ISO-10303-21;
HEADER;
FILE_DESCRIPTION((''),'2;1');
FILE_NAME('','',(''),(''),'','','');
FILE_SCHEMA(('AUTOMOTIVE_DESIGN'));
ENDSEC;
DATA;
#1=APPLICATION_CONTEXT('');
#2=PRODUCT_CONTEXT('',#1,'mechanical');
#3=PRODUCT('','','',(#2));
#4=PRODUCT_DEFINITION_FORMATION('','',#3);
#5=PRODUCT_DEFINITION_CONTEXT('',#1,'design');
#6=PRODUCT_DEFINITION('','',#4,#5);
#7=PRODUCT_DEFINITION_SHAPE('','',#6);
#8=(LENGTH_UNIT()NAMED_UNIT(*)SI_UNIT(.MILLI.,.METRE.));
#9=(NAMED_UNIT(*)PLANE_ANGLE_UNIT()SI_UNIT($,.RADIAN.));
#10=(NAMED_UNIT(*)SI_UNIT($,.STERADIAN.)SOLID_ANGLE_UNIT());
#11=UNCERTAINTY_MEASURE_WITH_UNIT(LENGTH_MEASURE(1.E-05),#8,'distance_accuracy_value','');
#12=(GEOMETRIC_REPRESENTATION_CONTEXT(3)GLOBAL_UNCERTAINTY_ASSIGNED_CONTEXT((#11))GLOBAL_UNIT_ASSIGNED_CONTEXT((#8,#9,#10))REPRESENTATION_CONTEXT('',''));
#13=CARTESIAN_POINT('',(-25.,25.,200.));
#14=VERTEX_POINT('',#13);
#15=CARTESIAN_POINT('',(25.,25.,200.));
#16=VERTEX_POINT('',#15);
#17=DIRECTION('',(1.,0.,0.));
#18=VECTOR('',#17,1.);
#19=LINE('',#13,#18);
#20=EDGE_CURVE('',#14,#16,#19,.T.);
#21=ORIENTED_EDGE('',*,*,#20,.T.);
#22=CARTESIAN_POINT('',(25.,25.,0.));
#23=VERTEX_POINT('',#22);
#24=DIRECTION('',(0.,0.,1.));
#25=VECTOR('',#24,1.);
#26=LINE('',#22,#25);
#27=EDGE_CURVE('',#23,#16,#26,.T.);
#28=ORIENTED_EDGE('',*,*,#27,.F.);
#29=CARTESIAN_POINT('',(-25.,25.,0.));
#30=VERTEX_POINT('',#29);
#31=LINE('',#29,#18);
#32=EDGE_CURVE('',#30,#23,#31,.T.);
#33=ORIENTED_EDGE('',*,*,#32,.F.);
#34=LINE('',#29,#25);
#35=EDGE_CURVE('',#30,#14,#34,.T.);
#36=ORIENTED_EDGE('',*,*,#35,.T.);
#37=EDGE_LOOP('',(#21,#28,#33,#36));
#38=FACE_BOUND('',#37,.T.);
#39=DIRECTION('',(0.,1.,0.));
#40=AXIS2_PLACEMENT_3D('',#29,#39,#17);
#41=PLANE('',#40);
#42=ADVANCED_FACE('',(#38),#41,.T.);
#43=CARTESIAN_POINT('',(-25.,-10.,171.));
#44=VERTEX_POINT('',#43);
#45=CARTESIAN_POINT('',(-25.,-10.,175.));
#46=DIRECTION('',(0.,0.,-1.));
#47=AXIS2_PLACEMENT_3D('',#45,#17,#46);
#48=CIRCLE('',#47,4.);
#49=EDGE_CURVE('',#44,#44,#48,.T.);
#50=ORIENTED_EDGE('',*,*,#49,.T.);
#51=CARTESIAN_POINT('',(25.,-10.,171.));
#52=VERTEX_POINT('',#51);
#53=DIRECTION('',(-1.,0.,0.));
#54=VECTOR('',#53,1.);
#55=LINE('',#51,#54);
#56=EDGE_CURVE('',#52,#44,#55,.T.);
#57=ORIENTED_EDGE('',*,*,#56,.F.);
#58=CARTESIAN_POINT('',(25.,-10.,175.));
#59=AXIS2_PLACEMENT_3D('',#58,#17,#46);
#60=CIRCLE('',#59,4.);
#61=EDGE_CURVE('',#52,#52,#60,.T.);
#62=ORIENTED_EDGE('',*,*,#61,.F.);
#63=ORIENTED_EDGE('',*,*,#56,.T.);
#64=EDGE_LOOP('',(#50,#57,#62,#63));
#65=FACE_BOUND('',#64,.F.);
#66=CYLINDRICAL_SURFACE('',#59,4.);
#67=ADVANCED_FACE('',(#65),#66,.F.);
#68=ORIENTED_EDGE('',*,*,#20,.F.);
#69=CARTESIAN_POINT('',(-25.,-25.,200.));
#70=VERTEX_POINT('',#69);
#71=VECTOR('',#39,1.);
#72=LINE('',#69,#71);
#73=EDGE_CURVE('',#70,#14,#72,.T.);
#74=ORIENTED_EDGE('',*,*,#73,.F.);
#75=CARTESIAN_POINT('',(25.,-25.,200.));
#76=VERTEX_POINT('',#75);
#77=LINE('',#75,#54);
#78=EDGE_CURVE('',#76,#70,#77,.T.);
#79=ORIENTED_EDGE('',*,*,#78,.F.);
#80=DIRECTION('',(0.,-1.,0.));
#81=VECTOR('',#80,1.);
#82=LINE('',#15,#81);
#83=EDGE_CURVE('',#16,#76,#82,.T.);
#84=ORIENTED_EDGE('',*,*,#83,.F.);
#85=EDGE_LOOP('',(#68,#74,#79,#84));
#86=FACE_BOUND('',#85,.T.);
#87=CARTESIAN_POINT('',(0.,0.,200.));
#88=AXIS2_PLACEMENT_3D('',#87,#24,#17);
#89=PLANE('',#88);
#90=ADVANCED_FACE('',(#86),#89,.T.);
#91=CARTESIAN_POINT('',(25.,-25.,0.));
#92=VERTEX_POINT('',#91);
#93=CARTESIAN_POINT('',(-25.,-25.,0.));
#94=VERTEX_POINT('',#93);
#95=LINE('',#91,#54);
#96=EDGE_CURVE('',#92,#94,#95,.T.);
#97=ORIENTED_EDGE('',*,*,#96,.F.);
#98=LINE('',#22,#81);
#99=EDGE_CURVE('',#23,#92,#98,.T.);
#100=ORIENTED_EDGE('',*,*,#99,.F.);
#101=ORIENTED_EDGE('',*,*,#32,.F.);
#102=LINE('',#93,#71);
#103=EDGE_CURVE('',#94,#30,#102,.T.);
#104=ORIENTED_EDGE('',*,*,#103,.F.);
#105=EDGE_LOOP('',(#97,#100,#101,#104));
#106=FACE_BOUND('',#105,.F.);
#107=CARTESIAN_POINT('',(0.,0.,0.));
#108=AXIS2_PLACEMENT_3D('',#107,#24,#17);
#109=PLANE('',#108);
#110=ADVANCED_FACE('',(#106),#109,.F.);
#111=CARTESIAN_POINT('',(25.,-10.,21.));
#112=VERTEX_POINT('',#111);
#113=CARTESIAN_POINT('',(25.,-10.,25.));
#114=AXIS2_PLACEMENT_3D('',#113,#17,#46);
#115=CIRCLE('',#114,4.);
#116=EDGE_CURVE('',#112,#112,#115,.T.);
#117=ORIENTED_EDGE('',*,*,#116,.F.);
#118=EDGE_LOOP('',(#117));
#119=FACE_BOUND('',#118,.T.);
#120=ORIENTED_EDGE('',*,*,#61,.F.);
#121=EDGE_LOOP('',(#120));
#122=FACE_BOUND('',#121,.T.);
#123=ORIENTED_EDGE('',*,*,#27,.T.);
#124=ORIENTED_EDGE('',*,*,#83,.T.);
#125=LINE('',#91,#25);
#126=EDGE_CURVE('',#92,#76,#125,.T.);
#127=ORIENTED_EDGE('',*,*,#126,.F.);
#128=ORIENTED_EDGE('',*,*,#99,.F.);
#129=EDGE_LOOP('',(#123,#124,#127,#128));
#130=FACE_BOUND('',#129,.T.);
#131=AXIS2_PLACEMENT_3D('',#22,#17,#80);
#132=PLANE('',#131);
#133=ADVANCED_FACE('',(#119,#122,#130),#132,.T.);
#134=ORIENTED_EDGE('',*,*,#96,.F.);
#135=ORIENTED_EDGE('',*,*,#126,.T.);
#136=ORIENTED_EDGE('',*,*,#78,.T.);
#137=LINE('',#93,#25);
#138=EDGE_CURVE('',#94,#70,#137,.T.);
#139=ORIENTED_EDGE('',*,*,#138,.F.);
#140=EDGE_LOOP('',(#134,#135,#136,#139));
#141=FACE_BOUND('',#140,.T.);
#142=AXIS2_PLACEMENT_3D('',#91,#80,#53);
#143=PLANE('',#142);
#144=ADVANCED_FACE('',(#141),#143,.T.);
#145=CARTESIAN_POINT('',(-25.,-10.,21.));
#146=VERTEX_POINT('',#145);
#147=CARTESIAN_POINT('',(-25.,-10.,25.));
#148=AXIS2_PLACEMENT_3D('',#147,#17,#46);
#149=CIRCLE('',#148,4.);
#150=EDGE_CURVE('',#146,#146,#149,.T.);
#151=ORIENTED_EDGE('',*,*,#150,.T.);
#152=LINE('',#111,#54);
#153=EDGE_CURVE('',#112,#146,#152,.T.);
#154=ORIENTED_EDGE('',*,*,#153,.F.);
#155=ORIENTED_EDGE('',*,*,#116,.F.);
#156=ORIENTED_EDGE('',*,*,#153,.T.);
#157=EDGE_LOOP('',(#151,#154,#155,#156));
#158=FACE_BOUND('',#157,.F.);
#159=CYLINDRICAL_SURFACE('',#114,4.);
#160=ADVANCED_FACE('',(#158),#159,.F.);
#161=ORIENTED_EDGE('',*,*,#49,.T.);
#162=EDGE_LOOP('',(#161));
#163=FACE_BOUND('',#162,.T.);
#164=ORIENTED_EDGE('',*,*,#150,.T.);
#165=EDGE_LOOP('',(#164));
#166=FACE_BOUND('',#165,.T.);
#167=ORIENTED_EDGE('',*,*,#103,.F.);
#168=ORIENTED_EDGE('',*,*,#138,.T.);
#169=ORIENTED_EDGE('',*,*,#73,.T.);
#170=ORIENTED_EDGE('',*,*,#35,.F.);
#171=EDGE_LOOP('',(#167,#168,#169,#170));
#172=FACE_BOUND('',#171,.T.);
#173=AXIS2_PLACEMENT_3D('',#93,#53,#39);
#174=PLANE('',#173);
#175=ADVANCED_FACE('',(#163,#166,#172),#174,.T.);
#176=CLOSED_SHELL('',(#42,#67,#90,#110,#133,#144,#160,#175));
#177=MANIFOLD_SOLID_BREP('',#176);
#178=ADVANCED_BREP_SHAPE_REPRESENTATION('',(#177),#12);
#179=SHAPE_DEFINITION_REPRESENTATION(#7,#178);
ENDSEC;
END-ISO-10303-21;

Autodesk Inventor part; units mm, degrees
ref_plane "YZ Plane" through (0, 0, 0) normal (1, 0, 0) x (0, 1, 0)
ref_plane "XZ Plane" through (0, 0, 0) normal (0, 1, 0) x (-1, 0, 0)
ref_plane "XY Plane" through (0, 0, 0) normal (0, 0, 1) x (1, 0, 0)
sketch "Sketch1" plane through (0, 0, 0) normal (0, 0, 1) x (1, 0, 0)
  line L0 (25, -25) -> (-25, -25)
  line L1 (-25, -25) -> (-25, 25)
  line L2 (-25, 25) -> (25, 25)
  line L3 (25, 25) -> (25, -25)
  line L4 (25, -25) -> (-25, 25) construction
  line L5 (-25, -25) -> (25, 25) construction
  point P0 (0, 0)
  dimension "d0" = 50
  dimension "d1" = 50
extrude "Extrusion1" add sketch "Sketch1" along normal blind 200
sketch "Sketch2" plane through (25, -25, 0) normal (1, 0, 0) x (0, 0, -1)
  circle A0 centre (-175, 15) radius 4
  circle A1 centre (-25, 15) radius 4
  line L0 (0, 0) -> (-200, 0) projected
  line L1 (-200, 0) -> (-200, 50) projected
  point P0 (0, 25)
  dimension "d4" = 8
  dimension "d5" = 15
  dimension "d6" = 8
  dimension "d7" = 15
  dimension "d8" = 25
  dimension "d9" = 25
extrude "Extrusion2" cut sketch "Sketch2" against normal through all
properties part number "Blok_roda"
